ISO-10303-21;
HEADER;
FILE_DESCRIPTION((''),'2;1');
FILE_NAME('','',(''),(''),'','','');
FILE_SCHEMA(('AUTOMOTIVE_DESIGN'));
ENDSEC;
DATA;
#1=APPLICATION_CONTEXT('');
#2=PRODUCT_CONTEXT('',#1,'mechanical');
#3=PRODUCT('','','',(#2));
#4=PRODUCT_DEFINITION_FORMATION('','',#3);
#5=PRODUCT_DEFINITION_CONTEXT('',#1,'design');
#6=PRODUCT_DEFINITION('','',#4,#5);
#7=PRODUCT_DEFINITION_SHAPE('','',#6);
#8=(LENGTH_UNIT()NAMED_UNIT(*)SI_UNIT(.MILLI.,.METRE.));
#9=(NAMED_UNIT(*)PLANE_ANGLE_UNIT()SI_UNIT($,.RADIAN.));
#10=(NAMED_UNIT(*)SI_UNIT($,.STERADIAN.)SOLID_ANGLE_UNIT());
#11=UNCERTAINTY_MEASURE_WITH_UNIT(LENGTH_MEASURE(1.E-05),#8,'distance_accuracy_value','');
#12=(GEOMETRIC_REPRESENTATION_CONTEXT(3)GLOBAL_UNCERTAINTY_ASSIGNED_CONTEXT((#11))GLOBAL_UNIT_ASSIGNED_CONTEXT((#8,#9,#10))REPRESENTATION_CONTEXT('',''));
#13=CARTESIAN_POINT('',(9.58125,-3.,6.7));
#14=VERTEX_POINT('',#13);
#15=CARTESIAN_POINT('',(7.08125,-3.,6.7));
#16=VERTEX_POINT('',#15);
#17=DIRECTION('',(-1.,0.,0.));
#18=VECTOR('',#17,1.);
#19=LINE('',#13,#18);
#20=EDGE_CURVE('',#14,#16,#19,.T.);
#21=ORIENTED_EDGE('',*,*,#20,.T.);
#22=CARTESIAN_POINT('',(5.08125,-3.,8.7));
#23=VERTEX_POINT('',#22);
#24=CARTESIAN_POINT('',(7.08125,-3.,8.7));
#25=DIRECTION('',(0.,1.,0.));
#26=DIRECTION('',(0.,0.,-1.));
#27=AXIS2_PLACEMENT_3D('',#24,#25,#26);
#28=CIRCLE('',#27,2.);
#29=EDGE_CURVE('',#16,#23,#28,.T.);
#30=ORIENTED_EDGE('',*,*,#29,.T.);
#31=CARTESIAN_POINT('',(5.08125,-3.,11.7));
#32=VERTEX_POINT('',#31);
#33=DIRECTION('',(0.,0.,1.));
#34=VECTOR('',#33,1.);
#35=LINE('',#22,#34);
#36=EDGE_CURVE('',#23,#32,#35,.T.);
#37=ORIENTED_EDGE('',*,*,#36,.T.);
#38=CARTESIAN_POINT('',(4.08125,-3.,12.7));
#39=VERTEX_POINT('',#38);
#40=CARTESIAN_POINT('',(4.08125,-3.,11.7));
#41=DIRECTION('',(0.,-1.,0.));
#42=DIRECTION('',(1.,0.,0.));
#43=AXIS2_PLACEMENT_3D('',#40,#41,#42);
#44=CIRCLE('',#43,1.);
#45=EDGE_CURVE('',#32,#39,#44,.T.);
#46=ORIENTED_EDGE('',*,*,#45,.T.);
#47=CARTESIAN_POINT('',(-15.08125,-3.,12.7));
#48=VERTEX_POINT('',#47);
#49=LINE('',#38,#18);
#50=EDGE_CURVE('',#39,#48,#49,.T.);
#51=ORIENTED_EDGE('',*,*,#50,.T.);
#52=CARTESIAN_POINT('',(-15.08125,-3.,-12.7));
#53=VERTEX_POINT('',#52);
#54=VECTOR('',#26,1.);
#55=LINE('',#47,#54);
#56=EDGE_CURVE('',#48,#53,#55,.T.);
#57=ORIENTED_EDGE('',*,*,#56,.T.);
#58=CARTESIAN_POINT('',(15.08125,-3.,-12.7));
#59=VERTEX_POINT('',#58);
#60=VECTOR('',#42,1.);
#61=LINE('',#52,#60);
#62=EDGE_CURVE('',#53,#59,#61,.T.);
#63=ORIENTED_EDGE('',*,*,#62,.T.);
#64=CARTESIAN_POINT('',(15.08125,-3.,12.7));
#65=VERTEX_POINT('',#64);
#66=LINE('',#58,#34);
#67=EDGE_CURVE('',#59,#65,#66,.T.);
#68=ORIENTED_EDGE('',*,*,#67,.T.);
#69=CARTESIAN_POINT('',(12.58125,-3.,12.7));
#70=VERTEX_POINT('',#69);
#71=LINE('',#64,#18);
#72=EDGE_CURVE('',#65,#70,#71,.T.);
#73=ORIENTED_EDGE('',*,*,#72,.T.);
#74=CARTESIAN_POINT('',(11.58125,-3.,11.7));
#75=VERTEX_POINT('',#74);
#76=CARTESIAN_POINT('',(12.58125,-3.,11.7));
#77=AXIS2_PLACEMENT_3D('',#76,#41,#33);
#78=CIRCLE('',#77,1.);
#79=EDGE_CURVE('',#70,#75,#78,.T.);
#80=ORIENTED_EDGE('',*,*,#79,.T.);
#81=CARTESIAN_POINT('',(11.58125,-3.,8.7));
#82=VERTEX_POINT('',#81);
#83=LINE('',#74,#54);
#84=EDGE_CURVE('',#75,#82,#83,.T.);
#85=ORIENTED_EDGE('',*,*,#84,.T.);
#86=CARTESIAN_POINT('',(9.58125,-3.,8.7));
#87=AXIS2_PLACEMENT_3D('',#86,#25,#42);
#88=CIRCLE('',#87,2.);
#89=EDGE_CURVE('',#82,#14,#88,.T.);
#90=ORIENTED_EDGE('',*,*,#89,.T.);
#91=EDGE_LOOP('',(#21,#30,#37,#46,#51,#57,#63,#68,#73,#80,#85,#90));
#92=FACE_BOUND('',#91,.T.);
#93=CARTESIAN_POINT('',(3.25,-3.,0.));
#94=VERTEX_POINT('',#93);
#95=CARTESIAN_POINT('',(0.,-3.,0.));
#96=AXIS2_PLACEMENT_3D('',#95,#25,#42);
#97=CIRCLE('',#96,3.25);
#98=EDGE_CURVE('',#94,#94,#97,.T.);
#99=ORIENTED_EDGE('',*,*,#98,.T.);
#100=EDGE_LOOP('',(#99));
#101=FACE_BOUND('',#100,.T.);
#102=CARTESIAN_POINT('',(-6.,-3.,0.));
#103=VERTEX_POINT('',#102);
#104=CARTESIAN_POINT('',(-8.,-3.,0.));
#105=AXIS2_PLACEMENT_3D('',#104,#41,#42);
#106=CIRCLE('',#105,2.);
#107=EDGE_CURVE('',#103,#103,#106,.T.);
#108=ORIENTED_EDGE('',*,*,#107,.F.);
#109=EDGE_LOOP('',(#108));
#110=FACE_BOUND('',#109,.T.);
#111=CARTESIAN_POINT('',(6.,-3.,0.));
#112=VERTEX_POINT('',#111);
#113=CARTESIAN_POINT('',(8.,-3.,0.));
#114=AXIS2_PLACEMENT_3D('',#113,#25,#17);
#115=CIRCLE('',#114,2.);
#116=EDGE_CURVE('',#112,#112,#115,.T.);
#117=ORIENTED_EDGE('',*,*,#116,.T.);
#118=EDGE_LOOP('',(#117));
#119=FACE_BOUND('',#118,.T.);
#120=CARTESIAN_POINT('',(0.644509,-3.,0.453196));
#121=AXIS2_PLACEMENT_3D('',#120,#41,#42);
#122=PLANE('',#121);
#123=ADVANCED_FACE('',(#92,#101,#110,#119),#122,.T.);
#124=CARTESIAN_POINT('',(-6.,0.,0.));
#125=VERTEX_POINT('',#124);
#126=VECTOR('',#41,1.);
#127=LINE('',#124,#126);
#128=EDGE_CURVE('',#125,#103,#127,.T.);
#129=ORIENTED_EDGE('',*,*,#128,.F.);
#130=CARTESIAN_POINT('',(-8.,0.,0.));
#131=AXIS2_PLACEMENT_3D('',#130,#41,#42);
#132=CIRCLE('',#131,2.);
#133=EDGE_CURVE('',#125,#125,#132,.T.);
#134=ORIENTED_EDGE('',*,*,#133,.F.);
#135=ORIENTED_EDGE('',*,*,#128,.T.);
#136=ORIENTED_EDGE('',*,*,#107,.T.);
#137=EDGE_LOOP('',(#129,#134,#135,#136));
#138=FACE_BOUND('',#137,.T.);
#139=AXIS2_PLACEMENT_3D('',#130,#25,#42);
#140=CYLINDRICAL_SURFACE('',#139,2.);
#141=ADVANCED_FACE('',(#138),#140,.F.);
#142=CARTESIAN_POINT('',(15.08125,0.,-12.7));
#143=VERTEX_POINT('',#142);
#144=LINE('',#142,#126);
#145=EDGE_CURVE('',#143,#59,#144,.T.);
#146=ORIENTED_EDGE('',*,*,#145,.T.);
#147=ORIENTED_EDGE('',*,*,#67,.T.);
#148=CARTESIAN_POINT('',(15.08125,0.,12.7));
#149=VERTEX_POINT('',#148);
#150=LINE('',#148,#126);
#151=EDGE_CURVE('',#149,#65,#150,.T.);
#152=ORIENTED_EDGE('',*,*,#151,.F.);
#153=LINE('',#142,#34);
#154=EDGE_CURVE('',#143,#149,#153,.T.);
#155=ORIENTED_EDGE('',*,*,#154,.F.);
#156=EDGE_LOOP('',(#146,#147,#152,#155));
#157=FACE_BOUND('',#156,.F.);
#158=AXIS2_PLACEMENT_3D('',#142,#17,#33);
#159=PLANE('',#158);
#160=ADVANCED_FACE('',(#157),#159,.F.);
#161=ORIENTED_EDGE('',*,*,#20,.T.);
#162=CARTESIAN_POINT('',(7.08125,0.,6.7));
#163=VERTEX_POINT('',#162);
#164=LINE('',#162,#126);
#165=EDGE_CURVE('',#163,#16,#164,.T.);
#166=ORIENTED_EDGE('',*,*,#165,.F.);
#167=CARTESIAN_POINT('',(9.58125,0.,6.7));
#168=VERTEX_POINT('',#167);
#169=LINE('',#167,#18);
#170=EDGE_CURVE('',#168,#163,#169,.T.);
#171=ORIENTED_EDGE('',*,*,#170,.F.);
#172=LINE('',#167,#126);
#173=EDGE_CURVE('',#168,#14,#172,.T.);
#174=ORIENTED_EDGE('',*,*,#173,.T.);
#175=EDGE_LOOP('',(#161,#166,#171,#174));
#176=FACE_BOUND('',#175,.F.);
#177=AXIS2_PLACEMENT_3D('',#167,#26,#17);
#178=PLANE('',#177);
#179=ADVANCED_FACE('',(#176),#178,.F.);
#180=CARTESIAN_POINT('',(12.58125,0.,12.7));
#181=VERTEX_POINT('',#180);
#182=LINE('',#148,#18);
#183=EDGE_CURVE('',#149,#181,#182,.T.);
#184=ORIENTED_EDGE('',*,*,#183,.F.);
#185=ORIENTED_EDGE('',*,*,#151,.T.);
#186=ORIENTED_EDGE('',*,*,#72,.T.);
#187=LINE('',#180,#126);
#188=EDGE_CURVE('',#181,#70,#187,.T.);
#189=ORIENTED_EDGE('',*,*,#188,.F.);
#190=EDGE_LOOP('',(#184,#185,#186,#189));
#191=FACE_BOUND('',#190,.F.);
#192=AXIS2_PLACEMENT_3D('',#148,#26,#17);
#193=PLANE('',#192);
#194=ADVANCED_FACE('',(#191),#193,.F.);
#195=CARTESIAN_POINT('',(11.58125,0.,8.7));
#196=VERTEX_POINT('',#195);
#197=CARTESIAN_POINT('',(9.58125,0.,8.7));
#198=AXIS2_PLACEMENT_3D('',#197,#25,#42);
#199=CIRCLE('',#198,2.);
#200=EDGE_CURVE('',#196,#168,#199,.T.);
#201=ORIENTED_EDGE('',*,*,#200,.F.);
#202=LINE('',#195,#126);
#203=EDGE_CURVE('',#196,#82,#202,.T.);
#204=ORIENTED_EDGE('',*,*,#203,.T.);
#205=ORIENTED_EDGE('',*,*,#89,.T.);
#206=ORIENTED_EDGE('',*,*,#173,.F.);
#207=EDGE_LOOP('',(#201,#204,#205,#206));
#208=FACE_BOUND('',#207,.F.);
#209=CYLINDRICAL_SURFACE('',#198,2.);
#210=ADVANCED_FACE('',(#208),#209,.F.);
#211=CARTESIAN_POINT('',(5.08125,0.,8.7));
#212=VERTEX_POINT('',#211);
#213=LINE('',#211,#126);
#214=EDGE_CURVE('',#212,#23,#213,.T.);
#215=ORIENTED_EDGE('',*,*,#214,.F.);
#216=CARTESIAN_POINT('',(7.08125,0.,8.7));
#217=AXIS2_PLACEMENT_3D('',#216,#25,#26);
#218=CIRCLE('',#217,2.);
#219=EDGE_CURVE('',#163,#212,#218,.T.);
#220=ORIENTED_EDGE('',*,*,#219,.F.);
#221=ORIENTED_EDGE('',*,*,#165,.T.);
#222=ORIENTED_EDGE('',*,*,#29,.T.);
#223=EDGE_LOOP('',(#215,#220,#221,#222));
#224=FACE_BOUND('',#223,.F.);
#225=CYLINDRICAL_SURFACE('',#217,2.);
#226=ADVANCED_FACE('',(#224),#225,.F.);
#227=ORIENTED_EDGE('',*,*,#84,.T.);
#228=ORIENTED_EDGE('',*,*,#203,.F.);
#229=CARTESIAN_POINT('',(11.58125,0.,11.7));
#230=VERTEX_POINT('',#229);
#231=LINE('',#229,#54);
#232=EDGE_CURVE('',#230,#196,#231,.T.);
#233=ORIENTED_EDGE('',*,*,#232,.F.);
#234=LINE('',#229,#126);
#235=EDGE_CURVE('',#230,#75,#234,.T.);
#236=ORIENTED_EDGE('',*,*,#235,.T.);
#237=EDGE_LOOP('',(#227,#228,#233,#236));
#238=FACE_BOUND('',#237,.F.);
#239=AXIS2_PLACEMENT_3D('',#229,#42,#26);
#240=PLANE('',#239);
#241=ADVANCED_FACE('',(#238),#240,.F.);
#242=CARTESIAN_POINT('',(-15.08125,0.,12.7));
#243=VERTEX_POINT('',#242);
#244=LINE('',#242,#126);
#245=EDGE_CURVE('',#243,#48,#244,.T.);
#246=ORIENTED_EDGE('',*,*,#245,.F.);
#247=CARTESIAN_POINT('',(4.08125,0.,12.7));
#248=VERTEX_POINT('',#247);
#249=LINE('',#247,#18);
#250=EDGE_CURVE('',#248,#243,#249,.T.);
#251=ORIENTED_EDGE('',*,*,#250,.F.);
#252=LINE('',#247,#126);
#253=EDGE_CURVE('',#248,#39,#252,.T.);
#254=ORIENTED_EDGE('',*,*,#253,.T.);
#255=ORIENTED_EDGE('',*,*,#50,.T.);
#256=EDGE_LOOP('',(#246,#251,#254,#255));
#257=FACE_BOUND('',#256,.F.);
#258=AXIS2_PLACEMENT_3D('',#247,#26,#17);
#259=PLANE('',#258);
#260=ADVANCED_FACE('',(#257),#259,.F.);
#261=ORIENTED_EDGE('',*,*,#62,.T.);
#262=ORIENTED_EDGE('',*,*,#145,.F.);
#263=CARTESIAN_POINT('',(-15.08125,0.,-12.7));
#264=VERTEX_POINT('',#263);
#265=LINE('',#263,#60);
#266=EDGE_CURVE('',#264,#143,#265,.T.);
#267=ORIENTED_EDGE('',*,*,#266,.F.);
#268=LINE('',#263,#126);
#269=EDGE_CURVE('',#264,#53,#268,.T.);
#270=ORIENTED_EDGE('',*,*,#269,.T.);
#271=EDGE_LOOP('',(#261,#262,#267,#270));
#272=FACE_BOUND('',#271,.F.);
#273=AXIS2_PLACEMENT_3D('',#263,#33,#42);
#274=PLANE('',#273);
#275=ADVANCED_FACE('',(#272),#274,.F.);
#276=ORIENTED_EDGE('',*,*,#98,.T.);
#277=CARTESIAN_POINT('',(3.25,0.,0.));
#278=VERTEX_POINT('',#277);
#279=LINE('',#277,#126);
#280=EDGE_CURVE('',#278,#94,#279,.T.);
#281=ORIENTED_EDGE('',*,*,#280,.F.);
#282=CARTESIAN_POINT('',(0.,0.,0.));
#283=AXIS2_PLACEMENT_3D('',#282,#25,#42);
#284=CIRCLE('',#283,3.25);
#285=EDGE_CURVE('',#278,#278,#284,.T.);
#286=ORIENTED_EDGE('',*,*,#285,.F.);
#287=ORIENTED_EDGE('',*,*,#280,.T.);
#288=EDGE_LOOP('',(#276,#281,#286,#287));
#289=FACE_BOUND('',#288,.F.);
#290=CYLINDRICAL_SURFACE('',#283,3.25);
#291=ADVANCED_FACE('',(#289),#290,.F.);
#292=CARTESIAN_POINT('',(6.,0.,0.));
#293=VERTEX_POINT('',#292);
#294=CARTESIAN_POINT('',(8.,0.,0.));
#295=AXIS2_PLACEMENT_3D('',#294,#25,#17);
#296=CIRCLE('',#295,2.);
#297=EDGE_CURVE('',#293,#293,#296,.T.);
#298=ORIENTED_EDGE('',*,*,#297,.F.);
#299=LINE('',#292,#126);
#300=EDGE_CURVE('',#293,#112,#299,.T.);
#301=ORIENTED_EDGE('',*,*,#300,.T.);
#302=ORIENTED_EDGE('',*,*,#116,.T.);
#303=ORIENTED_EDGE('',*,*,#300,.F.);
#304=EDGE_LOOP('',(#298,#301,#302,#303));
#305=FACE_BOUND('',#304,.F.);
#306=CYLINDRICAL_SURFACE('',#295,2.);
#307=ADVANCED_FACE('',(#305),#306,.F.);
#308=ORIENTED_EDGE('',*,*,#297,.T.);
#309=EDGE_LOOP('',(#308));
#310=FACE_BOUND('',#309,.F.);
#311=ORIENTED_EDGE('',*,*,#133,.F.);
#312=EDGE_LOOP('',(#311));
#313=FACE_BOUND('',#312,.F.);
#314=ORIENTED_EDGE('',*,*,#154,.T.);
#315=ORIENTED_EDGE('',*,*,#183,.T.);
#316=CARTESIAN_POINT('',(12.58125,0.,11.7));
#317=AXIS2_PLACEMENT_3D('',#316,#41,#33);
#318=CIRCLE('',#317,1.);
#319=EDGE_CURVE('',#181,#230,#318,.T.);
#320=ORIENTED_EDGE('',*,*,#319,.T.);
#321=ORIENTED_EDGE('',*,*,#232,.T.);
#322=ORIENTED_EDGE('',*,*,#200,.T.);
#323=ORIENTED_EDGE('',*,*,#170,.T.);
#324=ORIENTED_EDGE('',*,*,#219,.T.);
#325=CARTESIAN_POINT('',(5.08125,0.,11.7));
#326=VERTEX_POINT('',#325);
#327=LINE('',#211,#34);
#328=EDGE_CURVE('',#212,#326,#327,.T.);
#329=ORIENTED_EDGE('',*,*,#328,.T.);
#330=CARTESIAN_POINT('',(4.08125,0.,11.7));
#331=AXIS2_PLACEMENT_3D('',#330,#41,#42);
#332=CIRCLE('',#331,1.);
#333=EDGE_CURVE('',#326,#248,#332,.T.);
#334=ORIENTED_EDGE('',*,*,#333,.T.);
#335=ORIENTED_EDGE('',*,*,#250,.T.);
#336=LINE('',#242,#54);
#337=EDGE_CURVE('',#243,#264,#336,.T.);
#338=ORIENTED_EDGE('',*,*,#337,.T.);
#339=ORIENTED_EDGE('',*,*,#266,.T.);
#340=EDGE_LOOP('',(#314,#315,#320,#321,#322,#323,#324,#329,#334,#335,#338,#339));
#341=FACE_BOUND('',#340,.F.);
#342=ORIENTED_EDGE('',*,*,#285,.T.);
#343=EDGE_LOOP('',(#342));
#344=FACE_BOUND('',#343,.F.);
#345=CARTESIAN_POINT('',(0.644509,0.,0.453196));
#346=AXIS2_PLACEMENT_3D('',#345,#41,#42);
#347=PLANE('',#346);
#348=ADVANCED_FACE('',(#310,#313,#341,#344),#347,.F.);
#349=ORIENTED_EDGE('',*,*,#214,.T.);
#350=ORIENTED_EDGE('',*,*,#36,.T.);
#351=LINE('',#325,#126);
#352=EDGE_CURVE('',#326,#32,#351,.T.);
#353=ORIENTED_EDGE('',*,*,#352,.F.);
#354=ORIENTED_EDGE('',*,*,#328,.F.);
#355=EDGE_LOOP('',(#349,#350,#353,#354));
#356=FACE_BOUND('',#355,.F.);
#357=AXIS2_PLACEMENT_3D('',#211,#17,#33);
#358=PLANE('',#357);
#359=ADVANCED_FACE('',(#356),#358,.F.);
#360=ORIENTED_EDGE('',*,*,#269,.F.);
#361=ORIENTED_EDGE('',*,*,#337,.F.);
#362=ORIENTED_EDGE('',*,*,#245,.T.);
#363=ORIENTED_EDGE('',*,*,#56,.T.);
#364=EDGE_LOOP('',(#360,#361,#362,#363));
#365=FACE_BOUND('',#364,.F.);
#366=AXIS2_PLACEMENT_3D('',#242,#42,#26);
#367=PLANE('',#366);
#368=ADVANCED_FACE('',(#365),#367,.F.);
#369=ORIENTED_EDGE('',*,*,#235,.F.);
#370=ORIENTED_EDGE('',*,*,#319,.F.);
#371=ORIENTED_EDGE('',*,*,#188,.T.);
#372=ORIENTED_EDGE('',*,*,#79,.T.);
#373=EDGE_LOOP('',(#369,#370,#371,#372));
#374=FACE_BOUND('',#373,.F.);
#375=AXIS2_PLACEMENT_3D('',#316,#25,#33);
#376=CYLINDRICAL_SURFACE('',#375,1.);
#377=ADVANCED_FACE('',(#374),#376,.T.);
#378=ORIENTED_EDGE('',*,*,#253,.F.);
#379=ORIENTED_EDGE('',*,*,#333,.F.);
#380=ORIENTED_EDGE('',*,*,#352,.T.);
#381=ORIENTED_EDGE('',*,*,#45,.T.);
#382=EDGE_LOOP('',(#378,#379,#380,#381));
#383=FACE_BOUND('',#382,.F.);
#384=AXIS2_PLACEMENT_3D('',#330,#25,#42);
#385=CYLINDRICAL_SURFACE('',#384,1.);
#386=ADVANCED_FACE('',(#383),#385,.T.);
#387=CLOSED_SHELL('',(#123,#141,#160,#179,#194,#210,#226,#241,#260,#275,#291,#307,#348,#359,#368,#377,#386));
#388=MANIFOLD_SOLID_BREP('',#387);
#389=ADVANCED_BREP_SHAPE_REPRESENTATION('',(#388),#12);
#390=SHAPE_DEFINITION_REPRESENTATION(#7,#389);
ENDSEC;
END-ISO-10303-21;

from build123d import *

# Parameters (mm, degrees)
F0_R     = 2
F1_DEPTH = 3


with BuildPart() as f1:
    # F0 (on Front) → F1 (new body)
    with BuildSketch(Plane.XZ):
        with BuildLine():
            Line((-15.08125, -12.7), (15.08125, -12.7))
            Line((15.08125, -12.7), (15.08125, 12.7))
            Line((15.08125, 12.7), (12.58125, 12.7))
            ThreePointArc((12.58125, 12.7), (11.8741432188, 12.4071067812), (11.58125, 11.7))
            Line((11.58125, 11.7), (11.58125, 8.7))
            ThreePointArc((11.58125, 8.7), (10.9954635624, 7.2857864376), (9.58125, 6.7))
            Line((9.58125, 6.7), (7.08125, 6.7))
            ThreePointArc((7.08125, 6.7), (5.6670364376, 7.2857864376), (5.08125, 8.7))
            Line((5.08125, 8.7), (5.08125, 11.7))
            ThreePointArc((5.08125, 11.7), (4.7883567812, 12.4071067812), (4.08125, 12.7))
            Line((4.08125, 12.7), (-15.08125, 12.7))
            Line((-15.08125, 12.7), (-15.08125, -12.7))
        make_face()
        with Locations((-8, 0)):
            Circle(F0_R, mode=Mode.SUBTRACT)
        with BuildLine():
            ThreePointArc((-3.25, 0), (0, 3.25), (3.25, 0))
            ThreePointArc((3.25, 0), (0, -3.25), (-3.25, 0))
        make_face(mode=Mode.SUBTRACT)
        with BuildLine():
            ThreePointArc((10, 0), (8, -2), (6, 0))
            ThreePointArc((6, 0), (8, 2), (10, 0))
        make_face(mode=Mode.SUBTRACT)
    extrude(amount=F1_DEPTH)


solid = f1.part
